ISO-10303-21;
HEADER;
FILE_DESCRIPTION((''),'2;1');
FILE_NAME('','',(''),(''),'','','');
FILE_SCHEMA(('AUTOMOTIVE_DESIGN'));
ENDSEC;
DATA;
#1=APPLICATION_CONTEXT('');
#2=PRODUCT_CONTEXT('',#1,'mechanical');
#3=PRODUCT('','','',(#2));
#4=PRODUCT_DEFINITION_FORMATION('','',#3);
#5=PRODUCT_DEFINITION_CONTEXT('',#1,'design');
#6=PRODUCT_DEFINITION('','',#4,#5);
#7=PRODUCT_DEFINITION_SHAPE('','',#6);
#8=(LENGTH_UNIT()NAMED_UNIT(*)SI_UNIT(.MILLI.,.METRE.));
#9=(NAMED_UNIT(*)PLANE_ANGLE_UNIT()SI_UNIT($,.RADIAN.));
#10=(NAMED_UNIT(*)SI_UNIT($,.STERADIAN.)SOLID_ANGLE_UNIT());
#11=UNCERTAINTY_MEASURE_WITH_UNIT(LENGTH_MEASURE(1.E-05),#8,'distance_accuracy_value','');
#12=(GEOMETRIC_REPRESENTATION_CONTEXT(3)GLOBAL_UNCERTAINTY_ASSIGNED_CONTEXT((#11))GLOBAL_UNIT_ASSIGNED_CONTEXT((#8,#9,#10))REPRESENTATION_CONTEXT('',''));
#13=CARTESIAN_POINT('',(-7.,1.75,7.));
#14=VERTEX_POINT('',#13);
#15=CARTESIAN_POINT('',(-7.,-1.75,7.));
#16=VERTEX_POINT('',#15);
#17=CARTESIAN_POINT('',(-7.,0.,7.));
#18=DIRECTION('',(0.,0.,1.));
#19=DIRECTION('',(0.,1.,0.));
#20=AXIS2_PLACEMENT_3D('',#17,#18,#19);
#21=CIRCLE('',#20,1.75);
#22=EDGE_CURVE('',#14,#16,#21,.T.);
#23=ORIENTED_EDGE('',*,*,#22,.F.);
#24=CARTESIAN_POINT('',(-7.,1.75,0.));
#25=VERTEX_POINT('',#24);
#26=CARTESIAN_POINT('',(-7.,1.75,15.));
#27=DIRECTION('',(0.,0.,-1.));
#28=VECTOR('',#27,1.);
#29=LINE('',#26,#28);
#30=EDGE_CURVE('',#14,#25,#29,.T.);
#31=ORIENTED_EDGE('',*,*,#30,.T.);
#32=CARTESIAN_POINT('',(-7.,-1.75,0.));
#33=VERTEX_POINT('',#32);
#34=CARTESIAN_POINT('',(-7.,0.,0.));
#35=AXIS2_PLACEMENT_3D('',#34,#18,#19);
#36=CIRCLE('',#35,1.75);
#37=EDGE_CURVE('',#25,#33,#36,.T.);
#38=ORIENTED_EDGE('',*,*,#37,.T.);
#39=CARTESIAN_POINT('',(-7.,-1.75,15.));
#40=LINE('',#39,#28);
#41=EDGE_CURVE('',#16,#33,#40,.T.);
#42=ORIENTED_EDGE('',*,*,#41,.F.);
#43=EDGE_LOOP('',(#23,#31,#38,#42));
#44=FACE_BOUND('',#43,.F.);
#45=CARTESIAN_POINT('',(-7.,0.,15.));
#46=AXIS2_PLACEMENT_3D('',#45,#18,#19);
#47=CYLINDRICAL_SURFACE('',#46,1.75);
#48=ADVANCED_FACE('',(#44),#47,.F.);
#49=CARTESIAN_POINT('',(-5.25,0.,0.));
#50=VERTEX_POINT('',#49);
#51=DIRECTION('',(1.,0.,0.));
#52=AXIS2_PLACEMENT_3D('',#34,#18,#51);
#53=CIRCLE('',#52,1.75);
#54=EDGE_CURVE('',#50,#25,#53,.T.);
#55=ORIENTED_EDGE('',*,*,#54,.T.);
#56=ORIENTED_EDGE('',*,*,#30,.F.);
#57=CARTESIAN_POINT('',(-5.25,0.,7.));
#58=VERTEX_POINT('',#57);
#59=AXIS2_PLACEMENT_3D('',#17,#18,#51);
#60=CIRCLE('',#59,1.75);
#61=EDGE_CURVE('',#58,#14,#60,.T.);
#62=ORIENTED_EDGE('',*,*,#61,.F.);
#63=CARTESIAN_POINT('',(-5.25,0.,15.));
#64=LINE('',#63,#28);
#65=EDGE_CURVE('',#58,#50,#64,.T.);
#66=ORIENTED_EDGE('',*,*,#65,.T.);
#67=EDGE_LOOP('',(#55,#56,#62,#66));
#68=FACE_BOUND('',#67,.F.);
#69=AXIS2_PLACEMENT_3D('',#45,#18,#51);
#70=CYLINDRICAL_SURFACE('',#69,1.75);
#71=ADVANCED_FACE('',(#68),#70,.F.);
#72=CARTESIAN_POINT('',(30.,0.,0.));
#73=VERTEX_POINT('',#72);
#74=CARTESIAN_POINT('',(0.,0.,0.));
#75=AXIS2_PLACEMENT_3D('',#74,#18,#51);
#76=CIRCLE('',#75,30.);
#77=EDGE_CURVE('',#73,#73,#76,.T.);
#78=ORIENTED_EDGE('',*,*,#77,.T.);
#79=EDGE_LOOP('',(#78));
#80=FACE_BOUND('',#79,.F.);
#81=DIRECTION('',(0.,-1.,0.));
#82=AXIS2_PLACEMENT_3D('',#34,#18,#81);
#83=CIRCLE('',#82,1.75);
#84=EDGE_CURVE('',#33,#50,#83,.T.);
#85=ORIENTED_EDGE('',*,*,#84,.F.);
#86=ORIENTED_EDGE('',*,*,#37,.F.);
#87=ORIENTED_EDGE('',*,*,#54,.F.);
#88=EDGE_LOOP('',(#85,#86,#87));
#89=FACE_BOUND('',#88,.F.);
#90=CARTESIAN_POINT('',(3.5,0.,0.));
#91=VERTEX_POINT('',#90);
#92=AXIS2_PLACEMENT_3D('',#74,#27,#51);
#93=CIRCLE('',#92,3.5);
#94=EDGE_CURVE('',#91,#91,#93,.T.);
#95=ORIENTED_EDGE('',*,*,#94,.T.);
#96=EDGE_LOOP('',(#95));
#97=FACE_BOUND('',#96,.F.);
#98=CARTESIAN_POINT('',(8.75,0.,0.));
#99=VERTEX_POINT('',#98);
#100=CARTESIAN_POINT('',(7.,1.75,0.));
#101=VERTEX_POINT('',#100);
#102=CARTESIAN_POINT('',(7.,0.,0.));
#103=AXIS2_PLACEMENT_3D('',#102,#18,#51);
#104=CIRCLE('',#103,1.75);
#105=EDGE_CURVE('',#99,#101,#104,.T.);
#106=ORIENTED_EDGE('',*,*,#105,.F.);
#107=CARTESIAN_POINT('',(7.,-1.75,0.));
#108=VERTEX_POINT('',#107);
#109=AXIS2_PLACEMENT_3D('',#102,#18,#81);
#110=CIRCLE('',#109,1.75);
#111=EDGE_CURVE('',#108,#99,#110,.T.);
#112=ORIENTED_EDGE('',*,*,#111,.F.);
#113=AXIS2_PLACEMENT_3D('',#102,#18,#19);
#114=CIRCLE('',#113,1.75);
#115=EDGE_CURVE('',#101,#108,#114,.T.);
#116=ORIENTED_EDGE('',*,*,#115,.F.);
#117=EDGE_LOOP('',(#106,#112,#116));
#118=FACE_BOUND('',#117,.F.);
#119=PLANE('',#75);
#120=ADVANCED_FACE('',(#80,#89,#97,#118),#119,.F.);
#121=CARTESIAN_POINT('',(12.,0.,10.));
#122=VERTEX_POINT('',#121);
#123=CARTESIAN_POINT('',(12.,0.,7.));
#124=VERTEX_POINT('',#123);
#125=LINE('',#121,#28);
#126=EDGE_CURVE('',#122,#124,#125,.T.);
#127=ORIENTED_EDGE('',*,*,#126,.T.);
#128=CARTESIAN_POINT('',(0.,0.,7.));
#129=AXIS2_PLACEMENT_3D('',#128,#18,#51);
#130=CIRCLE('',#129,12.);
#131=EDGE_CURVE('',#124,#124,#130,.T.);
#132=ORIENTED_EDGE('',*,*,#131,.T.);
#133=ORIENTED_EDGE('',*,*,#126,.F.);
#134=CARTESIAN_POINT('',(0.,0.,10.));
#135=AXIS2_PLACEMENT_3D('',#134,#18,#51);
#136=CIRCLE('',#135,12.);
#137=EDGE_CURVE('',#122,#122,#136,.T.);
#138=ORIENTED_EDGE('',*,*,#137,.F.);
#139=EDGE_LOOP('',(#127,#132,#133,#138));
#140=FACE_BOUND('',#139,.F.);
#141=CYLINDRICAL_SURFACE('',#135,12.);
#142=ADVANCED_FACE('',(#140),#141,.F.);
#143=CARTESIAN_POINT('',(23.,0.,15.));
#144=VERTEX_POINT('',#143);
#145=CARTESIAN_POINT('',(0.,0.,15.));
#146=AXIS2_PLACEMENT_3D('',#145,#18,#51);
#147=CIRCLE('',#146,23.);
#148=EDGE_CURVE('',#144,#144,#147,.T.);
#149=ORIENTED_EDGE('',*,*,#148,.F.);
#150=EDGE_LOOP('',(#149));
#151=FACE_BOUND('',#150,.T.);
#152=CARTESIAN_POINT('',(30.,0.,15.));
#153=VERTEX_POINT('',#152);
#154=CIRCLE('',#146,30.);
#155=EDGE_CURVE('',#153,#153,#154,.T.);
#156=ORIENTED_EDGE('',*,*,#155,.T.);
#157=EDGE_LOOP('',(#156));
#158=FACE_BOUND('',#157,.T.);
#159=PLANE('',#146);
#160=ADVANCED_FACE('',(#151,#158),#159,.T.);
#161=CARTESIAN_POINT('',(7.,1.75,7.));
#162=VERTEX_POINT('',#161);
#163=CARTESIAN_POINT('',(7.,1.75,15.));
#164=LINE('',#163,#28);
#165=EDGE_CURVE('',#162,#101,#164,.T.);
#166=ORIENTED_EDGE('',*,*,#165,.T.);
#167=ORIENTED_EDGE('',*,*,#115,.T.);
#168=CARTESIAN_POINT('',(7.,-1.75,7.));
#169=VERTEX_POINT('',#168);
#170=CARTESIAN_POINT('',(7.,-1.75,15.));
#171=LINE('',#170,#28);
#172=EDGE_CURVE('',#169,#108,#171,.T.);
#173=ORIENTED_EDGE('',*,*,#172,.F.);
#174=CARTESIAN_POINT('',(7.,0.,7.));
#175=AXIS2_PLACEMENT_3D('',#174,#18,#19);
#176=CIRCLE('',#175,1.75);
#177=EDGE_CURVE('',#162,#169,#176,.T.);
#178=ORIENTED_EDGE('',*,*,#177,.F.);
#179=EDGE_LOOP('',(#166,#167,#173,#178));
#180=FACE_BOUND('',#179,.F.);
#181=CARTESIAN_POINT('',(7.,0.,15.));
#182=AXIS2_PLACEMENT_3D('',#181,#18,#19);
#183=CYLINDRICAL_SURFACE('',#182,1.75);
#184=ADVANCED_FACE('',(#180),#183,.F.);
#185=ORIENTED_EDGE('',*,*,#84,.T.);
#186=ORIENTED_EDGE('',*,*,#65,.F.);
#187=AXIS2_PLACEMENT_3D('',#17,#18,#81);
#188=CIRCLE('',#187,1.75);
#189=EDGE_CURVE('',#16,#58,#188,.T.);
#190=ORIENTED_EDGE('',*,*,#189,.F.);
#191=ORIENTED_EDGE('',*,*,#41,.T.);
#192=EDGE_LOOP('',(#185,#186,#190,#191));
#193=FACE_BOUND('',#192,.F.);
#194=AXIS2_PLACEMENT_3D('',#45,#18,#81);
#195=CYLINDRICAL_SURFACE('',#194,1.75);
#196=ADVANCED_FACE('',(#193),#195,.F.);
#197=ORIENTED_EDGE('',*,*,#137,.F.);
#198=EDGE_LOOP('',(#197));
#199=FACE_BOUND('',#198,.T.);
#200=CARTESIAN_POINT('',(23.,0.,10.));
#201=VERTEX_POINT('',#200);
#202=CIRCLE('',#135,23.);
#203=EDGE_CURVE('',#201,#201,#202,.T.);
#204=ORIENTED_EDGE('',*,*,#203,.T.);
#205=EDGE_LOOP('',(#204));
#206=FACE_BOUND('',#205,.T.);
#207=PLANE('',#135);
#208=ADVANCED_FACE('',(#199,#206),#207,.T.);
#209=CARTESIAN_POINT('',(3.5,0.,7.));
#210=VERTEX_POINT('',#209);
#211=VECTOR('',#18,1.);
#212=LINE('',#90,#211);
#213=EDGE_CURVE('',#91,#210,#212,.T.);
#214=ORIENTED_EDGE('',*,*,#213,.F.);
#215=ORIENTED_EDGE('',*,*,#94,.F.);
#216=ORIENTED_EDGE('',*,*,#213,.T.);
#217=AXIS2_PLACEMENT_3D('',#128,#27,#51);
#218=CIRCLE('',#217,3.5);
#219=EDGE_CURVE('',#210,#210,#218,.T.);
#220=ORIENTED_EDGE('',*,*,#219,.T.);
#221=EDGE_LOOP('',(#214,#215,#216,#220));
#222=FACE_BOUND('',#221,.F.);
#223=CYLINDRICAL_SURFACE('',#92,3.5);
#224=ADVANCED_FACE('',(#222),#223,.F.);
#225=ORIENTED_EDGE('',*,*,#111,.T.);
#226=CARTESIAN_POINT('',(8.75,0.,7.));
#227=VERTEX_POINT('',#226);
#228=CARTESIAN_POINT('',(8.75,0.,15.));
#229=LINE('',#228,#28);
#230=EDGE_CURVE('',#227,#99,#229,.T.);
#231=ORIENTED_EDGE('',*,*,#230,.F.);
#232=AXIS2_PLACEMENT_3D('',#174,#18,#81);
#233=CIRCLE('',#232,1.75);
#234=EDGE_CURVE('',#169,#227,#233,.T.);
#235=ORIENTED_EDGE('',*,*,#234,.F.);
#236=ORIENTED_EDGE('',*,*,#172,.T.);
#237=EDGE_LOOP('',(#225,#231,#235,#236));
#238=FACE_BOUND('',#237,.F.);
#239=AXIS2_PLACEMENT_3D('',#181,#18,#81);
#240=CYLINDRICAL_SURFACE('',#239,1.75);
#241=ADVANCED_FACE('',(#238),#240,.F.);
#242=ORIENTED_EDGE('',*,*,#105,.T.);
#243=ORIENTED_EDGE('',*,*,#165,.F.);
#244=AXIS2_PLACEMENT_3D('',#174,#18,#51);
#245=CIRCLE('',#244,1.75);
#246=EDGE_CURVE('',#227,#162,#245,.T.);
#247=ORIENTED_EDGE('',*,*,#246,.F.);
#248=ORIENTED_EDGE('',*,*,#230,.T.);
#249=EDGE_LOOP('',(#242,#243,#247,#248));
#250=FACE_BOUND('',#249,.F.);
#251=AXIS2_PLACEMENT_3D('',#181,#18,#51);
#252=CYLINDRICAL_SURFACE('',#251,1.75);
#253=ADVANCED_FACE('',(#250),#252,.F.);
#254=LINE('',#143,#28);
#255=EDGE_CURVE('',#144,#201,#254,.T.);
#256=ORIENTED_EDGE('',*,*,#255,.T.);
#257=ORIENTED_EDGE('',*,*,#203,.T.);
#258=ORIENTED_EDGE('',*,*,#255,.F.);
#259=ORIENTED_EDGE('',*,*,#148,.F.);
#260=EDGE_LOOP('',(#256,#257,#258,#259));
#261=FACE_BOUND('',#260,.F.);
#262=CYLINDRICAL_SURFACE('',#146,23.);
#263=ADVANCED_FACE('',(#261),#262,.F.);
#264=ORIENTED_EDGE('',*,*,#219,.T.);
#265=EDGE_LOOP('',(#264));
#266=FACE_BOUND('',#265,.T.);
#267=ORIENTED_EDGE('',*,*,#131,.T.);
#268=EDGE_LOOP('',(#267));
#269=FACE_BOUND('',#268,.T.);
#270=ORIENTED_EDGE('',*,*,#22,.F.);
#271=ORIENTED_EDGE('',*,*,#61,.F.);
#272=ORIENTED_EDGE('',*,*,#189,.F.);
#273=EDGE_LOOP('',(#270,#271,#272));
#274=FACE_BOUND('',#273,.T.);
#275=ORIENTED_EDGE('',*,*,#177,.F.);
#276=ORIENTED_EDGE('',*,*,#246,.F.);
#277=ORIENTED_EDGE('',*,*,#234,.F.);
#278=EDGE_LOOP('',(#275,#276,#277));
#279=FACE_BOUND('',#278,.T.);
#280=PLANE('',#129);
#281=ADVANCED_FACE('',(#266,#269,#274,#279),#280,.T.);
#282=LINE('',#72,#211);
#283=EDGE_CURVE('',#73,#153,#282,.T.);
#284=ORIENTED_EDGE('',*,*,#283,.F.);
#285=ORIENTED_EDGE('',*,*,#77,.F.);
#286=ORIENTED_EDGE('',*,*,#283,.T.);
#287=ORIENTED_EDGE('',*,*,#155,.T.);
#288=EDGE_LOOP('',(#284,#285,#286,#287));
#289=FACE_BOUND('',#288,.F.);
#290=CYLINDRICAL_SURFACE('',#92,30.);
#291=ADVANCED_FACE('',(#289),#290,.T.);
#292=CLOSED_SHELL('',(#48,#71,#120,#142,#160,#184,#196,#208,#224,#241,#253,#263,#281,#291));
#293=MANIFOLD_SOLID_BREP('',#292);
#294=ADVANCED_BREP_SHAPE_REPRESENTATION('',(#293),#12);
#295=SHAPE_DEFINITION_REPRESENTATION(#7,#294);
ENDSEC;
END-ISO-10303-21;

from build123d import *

# Parameters (mm, degrees)
F0_R     = 30
F1_DEPTH = 15
F3_DEPTH = 25
F4_R     = 23
F5_DEPTH = 5
F6_R     = 12
F7_DEPTH = 3
F8_R     = 3.5
F9_DEPTH = 25


with BuildPart() as f1:
    # F0 (on Top) → F1 (new body)
    with BuildSketch(Plane.XY):
        Circle(F0_R)
    extrude(amount=F1_DEPTH)

    # F2 (on face) → F3 (cut)
    with BuildSketch(Plane.XY.offset(15)):
        with BuildLine():
            ThreePointArc((-5.25, 0), (-5.7625631329, 1.2374368671), (-7, 1.75))
            Line((-7, 1.75), (-7, -1.75))
            ThreePointArc((-7, -1.75), (-5.7625631329, -1.2374368671), (-5.25, 0))
        make_face()
        with BuildLine():
            Line((-7, -1.75), (-7, 1.75))
            ThreePointArc((-7, 1.75), (-8.75, 0), (-7, -1.75))
        make_face()
        with BuildLine():
            Line((7, -1.75), (7, 1.75))
            ThreePointArc((7, 1.75), (5.25, 0), (7, -1.75))
        make_face()
        with BuildLine():
            ThreePointArc((8.75, 0), (8.2374368671, 1.2374368671), (7, 1.75))
            Line((7, 1.75), (7, -1.75))
            ThreePointArc((7, -1.75), (8.2374368671, -1.2374368671), (8.75, 0))
        make_face()
    extrude(amount=-F3_DEPTH, mode=Mode.SUBTRACT)

    # F4 (on face) → F5 (cut)
    with BuildSketch(Plane.XY.offset(15)):
        Circle(F4_R)
    extrude(amount=-F5_DEPTH, mode=Mode.SUBTRACT)

    # F6 (on face) → F7 (cut)
    with BuildSketch(Plane.XY.offset(10)):
        Circle(F6_R)
    extrude(amount=-F7_DEPTH, mode=Mode.SUBTRACT)

    # F8 (on face) → F9 (cut)
    with BuildSketch(Plane(origin=(0, 0, 0), x_dir=(1, 0, 0), z_dir=(0, 0, -1))):
        Circle(F8_R)
    extrude(amount=-F9_DEPTH, mode=Mode.SUBTRACT)


solid = f1.part
